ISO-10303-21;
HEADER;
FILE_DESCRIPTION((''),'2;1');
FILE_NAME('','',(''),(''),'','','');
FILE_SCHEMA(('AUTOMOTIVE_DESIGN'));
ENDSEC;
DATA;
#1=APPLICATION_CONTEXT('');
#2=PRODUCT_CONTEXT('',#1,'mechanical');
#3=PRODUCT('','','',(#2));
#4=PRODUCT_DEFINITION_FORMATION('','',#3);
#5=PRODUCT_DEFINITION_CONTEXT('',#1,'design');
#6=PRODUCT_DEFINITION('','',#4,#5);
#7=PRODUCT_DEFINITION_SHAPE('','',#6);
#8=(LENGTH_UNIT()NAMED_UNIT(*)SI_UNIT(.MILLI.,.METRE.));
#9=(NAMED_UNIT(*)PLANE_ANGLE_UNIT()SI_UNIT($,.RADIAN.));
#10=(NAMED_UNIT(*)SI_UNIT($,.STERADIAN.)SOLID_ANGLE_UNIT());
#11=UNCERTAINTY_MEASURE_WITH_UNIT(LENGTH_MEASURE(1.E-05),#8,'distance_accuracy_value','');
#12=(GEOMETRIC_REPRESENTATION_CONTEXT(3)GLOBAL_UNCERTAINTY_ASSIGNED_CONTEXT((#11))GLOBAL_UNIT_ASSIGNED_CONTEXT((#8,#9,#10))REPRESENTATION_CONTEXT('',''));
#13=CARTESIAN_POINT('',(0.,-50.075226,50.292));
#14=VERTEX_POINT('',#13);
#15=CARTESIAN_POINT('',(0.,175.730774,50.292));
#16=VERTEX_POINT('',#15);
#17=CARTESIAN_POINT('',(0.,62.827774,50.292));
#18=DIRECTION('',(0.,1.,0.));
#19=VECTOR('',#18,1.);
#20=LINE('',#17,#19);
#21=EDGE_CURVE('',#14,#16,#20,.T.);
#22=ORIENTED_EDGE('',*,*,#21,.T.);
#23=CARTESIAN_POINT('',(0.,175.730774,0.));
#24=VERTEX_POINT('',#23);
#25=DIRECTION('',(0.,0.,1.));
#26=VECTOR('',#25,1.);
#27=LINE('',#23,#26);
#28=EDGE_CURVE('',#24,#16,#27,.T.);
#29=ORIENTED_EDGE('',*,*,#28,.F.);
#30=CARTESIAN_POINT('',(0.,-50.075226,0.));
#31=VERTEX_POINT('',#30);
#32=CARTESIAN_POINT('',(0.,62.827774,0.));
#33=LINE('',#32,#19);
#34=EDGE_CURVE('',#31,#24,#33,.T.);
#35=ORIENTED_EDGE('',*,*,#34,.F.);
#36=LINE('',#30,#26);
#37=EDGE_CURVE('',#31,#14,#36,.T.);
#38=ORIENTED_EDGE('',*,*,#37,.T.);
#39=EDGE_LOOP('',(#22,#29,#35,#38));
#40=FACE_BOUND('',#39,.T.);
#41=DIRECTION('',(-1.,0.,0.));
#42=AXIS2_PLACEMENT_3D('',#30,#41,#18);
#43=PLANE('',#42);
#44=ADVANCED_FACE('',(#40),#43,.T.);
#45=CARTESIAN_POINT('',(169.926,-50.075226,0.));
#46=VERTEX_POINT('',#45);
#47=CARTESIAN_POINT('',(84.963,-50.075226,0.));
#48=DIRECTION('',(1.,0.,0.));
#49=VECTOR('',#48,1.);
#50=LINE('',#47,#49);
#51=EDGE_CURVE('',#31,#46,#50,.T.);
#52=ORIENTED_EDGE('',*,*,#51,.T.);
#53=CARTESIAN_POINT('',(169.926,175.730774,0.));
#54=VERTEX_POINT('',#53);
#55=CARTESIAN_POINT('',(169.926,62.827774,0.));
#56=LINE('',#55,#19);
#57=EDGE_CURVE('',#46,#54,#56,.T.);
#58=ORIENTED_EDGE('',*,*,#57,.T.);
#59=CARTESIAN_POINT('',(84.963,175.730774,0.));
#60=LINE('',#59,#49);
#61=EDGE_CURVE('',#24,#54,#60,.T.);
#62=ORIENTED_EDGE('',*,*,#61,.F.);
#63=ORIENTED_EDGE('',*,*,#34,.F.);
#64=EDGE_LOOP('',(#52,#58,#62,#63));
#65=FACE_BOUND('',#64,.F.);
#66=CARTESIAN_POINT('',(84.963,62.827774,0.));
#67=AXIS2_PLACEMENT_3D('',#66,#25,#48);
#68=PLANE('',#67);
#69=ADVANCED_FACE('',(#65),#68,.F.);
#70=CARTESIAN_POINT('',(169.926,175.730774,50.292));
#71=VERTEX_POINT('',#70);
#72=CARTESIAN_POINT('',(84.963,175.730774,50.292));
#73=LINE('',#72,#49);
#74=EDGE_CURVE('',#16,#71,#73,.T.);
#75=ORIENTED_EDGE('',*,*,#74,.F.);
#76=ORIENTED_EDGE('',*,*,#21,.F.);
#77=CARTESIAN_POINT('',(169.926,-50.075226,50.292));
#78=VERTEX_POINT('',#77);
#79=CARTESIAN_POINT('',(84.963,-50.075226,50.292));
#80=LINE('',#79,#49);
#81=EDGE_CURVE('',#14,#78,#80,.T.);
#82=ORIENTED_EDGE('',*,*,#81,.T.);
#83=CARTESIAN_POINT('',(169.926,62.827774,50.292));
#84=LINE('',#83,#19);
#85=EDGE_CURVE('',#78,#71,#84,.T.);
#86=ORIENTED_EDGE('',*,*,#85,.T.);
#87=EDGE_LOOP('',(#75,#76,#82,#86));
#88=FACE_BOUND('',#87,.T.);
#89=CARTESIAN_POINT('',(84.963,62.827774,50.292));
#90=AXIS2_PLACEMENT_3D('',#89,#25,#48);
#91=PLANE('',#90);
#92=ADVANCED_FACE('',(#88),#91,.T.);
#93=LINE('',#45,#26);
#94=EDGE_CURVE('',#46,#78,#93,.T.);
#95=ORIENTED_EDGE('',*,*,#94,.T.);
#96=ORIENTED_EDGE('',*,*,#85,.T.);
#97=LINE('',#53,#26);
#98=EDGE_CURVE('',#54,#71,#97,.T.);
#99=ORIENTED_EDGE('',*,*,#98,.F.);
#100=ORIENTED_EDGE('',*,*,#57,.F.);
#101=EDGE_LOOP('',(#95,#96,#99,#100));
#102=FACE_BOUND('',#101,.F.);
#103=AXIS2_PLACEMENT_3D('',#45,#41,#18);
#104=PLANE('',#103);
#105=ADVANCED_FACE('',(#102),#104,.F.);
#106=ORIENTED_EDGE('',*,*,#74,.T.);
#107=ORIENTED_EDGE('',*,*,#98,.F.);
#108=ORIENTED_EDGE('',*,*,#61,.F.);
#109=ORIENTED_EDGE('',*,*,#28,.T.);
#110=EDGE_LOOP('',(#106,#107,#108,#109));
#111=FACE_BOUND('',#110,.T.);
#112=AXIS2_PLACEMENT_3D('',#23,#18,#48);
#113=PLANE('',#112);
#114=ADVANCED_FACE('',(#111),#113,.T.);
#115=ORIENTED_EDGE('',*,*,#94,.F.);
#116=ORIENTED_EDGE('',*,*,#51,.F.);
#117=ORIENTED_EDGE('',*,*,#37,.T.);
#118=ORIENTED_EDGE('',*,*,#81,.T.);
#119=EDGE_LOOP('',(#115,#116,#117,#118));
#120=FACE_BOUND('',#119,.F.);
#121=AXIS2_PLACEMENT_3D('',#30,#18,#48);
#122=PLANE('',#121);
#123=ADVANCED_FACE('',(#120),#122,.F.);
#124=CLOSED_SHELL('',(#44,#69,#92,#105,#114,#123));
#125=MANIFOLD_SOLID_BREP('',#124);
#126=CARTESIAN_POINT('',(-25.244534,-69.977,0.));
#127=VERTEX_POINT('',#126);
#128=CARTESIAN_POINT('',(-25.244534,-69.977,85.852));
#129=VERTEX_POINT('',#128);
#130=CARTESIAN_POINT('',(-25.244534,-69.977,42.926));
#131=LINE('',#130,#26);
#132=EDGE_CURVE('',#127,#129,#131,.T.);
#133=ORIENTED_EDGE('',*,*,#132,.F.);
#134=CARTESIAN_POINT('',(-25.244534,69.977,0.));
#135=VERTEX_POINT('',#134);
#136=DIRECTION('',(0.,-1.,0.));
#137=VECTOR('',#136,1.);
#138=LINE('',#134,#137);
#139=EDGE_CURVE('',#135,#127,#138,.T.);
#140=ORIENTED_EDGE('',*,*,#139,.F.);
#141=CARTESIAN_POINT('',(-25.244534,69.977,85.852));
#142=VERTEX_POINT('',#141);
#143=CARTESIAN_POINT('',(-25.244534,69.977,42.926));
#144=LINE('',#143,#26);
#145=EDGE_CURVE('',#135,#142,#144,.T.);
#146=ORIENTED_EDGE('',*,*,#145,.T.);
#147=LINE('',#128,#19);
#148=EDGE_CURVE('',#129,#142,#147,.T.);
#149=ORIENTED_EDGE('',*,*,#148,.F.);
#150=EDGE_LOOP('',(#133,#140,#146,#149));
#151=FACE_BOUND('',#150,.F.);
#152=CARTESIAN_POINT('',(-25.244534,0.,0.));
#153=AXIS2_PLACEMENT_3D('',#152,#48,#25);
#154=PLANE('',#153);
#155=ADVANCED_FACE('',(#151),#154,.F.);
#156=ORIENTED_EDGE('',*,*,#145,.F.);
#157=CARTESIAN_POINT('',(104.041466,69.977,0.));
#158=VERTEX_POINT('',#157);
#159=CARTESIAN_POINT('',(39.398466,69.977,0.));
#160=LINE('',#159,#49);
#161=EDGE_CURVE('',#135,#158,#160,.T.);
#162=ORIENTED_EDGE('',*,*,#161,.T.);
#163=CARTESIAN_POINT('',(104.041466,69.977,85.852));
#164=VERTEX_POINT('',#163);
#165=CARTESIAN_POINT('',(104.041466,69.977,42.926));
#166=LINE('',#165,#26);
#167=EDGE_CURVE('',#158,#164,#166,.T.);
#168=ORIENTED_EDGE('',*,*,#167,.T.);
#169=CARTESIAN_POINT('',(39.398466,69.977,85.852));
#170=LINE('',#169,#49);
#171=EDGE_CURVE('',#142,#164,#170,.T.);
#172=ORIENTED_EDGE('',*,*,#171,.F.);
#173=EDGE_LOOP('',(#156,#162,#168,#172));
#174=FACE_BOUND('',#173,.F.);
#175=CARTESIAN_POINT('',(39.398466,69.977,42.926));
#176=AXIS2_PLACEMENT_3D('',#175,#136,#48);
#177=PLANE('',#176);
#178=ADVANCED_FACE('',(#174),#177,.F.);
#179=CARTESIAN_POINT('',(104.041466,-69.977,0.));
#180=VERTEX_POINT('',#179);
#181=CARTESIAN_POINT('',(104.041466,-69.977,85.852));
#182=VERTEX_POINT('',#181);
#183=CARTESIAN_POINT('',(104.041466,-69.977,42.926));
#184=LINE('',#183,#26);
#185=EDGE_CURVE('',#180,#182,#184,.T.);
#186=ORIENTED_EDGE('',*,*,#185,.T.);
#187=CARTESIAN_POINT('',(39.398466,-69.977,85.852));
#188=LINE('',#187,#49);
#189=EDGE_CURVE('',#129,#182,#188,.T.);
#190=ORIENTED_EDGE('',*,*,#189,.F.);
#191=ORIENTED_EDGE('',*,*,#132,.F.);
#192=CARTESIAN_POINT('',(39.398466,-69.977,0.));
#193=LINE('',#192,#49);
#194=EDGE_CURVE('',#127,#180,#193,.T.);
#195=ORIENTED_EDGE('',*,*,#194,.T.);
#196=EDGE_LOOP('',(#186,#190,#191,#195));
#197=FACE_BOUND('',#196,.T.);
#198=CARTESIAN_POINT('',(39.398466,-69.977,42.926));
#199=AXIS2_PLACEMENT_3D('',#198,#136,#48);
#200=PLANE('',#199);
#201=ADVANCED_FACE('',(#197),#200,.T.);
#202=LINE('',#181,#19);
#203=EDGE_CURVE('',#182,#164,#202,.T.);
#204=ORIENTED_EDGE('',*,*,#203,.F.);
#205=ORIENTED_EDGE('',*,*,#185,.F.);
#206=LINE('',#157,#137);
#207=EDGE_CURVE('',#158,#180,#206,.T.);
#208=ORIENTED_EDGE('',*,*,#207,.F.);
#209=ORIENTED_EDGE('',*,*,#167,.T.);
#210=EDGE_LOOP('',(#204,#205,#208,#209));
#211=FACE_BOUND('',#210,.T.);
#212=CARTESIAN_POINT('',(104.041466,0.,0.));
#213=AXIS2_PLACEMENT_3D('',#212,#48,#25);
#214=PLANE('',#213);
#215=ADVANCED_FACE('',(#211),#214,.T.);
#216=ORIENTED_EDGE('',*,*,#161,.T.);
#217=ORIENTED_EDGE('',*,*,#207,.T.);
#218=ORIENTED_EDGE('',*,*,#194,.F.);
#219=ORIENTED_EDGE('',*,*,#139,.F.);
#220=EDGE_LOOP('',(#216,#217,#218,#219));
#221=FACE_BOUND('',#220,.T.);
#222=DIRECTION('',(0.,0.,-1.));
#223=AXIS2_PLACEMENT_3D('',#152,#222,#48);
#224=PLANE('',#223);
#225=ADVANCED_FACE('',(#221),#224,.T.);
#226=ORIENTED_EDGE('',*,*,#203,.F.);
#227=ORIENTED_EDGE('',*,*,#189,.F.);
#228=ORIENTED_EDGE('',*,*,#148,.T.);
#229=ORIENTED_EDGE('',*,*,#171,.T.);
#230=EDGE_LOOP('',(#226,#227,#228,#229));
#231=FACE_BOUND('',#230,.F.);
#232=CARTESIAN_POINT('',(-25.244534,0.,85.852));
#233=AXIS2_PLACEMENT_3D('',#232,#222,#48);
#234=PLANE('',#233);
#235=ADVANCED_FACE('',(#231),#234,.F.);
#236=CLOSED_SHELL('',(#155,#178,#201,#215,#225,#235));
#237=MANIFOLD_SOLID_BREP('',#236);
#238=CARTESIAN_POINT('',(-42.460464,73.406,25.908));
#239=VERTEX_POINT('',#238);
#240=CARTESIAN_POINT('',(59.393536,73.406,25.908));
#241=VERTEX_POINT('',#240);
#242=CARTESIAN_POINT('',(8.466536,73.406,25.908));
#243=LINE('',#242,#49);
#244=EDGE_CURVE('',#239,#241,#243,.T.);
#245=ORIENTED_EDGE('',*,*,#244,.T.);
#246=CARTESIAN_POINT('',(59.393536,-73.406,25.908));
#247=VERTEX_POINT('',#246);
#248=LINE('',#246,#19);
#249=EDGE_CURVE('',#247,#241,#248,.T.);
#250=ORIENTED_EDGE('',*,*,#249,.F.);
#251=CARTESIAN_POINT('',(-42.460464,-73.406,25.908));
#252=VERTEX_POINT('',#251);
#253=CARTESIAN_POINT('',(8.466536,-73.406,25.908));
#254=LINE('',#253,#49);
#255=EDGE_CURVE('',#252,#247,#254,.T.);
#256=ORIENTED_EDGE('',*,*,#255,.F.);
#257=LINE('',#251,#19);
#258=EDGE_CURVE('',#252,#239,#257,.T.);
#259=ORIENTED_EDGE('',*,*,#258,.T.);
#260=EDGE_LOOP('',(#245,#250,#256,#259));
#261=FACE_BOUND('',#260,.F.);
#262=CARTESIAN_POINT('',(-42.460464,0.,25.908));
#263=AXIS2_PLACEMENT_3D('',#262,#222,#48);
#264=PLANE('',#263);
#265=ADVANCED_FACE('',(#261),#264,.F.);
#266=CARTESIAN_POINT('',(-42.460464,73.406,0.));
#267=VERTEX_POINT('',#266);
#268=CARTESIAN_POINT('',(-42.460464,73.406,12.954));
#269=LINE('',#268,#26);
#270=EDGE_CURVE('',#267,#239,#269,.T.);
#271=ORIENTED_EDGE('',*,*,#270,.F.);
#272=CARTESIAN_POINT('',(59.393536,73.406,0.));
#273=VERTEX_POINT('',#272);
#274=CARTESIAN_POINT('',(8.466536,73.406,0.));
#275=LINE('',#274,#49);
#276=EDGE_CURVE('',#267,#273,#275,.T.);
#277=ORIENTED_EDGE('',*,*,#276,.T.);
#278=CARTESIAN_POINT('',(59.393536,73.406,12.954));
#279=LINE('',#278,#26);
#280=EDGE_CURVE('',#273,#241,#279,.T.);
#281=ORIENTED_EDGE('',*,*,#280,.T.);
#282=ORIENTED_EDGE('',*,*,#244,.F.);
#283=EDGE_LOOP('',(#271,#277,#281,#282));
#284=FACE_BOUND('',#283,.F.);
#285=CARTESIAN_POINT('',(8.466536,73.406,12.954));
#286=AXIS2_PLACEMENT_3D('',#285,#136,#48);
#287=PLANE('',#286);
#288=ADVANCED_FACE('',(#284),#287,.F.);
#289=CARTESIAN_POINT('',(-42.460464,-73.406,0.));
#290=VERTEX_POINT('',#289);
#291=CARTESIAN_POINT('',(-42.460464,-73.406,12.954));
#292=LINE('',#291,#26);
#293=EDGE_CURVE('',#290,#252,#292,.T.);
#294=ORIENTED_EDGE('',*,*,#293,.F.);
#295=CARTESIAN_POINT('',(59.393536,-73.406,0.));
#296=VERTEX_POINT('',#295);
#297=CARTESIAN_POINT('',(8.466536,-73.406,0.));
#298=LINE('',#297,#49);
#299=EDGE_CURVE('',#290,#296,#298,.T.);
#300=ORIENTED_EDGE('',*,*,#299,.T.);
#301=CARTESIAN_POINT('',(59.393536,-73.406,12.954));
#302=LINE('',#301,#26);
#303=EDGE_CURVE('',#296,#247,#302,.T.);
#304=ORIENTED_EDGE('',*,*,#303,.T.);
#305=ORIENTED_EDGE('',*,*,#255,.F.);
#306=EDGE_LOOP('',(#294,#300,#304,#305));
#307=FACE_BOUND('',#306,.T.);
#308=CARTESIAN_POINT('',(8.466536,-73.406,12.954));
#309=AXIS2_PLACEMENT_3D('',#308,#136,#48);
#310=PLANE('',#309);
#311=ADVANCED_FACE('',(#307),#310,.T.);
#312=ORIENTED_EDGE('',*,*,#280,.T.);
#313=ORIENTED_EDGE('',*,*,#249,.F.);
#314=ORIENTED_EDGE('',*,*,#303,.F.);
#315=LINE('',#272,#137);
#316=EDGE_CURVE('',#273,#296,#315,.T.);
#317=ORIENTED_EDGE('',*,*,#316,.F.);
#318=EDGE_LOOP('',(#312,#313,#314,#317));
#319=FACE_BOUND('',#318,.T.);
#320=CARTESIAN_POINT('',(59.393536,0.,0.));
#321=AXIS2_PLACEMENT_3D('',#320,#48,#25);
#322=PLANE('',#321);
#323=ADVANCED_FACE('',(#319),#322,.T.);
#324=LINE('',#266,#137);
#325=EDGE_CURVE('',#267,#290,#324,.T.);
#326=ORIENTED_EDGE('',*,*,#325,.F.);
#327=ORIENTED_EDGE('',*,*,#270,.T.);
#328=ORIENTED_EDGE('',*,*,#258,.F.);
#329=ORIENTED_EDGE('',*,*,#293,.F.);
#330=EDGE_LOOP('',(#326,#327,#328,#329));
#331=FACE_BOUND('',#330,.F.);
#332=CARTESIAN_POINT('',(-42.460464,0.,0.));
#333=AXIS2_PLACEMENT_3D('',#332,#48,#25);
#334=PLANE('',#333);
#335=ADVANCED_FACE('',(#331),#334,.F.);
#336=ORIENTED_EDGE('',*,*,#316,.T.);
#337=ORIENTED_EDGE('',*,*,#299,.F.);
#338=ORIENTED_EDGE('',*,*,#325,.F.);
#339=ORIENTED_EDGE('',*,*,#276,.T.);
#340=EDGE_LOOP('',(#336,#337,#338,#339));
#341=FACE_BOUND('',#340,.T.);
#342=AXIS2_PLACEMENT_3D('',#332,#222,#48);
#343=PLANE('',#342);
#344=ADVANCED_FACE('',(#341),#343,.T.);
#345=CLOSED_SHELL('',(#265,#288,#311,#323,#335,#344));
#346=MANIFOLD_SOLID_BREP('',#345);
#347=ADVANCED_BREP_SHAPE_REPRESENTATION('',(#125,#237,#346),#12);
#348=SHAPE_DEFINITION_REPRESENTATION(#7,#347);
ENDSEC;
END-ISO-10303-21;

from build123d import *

# Parameters (mm, degrees)
F0_W     = 101.854
F0_H     = 25.908
F1_DEPTH = 73.406
F2_W     = 129.286
F2_H     = 85.852
F3_DEPTH = 69.977
F4_W     = 169.926
F4_H     = 225.806
F5_DEPTH = 50.292


with BuildPart() as f1:
    # F0 (on Front) → F1 (new body, symmetric)
    with BuildSketch(Plane.XZ):
        with Locations((8.466536, 12.954)):
            Rectangle(F0_W, F0_H)
    extrude(amount=F1_DEPTH, both=True)


with BuildPart() as f3:
    # F2 (on Front) → F3 (new body, symmetric)
    with BuildSketch(Plane.XZ):
        with Locations((39.398466, 42.926)):
            Rectangle(F2_W, F2_H)
    extrude(amount=F3_DEPTH, both=True)


with BuildPart() as f5:
    # F4 (on Top) → F5 (new body)
    with BuildSketch(Plane.XY):
        with Locations((84.963, 62.827774)):
            Rectangle(F4_W, F4_H)
    extrude(amount=F5_DEPTH)


solid = Compound([f1.part, f3.part, f5.part])
